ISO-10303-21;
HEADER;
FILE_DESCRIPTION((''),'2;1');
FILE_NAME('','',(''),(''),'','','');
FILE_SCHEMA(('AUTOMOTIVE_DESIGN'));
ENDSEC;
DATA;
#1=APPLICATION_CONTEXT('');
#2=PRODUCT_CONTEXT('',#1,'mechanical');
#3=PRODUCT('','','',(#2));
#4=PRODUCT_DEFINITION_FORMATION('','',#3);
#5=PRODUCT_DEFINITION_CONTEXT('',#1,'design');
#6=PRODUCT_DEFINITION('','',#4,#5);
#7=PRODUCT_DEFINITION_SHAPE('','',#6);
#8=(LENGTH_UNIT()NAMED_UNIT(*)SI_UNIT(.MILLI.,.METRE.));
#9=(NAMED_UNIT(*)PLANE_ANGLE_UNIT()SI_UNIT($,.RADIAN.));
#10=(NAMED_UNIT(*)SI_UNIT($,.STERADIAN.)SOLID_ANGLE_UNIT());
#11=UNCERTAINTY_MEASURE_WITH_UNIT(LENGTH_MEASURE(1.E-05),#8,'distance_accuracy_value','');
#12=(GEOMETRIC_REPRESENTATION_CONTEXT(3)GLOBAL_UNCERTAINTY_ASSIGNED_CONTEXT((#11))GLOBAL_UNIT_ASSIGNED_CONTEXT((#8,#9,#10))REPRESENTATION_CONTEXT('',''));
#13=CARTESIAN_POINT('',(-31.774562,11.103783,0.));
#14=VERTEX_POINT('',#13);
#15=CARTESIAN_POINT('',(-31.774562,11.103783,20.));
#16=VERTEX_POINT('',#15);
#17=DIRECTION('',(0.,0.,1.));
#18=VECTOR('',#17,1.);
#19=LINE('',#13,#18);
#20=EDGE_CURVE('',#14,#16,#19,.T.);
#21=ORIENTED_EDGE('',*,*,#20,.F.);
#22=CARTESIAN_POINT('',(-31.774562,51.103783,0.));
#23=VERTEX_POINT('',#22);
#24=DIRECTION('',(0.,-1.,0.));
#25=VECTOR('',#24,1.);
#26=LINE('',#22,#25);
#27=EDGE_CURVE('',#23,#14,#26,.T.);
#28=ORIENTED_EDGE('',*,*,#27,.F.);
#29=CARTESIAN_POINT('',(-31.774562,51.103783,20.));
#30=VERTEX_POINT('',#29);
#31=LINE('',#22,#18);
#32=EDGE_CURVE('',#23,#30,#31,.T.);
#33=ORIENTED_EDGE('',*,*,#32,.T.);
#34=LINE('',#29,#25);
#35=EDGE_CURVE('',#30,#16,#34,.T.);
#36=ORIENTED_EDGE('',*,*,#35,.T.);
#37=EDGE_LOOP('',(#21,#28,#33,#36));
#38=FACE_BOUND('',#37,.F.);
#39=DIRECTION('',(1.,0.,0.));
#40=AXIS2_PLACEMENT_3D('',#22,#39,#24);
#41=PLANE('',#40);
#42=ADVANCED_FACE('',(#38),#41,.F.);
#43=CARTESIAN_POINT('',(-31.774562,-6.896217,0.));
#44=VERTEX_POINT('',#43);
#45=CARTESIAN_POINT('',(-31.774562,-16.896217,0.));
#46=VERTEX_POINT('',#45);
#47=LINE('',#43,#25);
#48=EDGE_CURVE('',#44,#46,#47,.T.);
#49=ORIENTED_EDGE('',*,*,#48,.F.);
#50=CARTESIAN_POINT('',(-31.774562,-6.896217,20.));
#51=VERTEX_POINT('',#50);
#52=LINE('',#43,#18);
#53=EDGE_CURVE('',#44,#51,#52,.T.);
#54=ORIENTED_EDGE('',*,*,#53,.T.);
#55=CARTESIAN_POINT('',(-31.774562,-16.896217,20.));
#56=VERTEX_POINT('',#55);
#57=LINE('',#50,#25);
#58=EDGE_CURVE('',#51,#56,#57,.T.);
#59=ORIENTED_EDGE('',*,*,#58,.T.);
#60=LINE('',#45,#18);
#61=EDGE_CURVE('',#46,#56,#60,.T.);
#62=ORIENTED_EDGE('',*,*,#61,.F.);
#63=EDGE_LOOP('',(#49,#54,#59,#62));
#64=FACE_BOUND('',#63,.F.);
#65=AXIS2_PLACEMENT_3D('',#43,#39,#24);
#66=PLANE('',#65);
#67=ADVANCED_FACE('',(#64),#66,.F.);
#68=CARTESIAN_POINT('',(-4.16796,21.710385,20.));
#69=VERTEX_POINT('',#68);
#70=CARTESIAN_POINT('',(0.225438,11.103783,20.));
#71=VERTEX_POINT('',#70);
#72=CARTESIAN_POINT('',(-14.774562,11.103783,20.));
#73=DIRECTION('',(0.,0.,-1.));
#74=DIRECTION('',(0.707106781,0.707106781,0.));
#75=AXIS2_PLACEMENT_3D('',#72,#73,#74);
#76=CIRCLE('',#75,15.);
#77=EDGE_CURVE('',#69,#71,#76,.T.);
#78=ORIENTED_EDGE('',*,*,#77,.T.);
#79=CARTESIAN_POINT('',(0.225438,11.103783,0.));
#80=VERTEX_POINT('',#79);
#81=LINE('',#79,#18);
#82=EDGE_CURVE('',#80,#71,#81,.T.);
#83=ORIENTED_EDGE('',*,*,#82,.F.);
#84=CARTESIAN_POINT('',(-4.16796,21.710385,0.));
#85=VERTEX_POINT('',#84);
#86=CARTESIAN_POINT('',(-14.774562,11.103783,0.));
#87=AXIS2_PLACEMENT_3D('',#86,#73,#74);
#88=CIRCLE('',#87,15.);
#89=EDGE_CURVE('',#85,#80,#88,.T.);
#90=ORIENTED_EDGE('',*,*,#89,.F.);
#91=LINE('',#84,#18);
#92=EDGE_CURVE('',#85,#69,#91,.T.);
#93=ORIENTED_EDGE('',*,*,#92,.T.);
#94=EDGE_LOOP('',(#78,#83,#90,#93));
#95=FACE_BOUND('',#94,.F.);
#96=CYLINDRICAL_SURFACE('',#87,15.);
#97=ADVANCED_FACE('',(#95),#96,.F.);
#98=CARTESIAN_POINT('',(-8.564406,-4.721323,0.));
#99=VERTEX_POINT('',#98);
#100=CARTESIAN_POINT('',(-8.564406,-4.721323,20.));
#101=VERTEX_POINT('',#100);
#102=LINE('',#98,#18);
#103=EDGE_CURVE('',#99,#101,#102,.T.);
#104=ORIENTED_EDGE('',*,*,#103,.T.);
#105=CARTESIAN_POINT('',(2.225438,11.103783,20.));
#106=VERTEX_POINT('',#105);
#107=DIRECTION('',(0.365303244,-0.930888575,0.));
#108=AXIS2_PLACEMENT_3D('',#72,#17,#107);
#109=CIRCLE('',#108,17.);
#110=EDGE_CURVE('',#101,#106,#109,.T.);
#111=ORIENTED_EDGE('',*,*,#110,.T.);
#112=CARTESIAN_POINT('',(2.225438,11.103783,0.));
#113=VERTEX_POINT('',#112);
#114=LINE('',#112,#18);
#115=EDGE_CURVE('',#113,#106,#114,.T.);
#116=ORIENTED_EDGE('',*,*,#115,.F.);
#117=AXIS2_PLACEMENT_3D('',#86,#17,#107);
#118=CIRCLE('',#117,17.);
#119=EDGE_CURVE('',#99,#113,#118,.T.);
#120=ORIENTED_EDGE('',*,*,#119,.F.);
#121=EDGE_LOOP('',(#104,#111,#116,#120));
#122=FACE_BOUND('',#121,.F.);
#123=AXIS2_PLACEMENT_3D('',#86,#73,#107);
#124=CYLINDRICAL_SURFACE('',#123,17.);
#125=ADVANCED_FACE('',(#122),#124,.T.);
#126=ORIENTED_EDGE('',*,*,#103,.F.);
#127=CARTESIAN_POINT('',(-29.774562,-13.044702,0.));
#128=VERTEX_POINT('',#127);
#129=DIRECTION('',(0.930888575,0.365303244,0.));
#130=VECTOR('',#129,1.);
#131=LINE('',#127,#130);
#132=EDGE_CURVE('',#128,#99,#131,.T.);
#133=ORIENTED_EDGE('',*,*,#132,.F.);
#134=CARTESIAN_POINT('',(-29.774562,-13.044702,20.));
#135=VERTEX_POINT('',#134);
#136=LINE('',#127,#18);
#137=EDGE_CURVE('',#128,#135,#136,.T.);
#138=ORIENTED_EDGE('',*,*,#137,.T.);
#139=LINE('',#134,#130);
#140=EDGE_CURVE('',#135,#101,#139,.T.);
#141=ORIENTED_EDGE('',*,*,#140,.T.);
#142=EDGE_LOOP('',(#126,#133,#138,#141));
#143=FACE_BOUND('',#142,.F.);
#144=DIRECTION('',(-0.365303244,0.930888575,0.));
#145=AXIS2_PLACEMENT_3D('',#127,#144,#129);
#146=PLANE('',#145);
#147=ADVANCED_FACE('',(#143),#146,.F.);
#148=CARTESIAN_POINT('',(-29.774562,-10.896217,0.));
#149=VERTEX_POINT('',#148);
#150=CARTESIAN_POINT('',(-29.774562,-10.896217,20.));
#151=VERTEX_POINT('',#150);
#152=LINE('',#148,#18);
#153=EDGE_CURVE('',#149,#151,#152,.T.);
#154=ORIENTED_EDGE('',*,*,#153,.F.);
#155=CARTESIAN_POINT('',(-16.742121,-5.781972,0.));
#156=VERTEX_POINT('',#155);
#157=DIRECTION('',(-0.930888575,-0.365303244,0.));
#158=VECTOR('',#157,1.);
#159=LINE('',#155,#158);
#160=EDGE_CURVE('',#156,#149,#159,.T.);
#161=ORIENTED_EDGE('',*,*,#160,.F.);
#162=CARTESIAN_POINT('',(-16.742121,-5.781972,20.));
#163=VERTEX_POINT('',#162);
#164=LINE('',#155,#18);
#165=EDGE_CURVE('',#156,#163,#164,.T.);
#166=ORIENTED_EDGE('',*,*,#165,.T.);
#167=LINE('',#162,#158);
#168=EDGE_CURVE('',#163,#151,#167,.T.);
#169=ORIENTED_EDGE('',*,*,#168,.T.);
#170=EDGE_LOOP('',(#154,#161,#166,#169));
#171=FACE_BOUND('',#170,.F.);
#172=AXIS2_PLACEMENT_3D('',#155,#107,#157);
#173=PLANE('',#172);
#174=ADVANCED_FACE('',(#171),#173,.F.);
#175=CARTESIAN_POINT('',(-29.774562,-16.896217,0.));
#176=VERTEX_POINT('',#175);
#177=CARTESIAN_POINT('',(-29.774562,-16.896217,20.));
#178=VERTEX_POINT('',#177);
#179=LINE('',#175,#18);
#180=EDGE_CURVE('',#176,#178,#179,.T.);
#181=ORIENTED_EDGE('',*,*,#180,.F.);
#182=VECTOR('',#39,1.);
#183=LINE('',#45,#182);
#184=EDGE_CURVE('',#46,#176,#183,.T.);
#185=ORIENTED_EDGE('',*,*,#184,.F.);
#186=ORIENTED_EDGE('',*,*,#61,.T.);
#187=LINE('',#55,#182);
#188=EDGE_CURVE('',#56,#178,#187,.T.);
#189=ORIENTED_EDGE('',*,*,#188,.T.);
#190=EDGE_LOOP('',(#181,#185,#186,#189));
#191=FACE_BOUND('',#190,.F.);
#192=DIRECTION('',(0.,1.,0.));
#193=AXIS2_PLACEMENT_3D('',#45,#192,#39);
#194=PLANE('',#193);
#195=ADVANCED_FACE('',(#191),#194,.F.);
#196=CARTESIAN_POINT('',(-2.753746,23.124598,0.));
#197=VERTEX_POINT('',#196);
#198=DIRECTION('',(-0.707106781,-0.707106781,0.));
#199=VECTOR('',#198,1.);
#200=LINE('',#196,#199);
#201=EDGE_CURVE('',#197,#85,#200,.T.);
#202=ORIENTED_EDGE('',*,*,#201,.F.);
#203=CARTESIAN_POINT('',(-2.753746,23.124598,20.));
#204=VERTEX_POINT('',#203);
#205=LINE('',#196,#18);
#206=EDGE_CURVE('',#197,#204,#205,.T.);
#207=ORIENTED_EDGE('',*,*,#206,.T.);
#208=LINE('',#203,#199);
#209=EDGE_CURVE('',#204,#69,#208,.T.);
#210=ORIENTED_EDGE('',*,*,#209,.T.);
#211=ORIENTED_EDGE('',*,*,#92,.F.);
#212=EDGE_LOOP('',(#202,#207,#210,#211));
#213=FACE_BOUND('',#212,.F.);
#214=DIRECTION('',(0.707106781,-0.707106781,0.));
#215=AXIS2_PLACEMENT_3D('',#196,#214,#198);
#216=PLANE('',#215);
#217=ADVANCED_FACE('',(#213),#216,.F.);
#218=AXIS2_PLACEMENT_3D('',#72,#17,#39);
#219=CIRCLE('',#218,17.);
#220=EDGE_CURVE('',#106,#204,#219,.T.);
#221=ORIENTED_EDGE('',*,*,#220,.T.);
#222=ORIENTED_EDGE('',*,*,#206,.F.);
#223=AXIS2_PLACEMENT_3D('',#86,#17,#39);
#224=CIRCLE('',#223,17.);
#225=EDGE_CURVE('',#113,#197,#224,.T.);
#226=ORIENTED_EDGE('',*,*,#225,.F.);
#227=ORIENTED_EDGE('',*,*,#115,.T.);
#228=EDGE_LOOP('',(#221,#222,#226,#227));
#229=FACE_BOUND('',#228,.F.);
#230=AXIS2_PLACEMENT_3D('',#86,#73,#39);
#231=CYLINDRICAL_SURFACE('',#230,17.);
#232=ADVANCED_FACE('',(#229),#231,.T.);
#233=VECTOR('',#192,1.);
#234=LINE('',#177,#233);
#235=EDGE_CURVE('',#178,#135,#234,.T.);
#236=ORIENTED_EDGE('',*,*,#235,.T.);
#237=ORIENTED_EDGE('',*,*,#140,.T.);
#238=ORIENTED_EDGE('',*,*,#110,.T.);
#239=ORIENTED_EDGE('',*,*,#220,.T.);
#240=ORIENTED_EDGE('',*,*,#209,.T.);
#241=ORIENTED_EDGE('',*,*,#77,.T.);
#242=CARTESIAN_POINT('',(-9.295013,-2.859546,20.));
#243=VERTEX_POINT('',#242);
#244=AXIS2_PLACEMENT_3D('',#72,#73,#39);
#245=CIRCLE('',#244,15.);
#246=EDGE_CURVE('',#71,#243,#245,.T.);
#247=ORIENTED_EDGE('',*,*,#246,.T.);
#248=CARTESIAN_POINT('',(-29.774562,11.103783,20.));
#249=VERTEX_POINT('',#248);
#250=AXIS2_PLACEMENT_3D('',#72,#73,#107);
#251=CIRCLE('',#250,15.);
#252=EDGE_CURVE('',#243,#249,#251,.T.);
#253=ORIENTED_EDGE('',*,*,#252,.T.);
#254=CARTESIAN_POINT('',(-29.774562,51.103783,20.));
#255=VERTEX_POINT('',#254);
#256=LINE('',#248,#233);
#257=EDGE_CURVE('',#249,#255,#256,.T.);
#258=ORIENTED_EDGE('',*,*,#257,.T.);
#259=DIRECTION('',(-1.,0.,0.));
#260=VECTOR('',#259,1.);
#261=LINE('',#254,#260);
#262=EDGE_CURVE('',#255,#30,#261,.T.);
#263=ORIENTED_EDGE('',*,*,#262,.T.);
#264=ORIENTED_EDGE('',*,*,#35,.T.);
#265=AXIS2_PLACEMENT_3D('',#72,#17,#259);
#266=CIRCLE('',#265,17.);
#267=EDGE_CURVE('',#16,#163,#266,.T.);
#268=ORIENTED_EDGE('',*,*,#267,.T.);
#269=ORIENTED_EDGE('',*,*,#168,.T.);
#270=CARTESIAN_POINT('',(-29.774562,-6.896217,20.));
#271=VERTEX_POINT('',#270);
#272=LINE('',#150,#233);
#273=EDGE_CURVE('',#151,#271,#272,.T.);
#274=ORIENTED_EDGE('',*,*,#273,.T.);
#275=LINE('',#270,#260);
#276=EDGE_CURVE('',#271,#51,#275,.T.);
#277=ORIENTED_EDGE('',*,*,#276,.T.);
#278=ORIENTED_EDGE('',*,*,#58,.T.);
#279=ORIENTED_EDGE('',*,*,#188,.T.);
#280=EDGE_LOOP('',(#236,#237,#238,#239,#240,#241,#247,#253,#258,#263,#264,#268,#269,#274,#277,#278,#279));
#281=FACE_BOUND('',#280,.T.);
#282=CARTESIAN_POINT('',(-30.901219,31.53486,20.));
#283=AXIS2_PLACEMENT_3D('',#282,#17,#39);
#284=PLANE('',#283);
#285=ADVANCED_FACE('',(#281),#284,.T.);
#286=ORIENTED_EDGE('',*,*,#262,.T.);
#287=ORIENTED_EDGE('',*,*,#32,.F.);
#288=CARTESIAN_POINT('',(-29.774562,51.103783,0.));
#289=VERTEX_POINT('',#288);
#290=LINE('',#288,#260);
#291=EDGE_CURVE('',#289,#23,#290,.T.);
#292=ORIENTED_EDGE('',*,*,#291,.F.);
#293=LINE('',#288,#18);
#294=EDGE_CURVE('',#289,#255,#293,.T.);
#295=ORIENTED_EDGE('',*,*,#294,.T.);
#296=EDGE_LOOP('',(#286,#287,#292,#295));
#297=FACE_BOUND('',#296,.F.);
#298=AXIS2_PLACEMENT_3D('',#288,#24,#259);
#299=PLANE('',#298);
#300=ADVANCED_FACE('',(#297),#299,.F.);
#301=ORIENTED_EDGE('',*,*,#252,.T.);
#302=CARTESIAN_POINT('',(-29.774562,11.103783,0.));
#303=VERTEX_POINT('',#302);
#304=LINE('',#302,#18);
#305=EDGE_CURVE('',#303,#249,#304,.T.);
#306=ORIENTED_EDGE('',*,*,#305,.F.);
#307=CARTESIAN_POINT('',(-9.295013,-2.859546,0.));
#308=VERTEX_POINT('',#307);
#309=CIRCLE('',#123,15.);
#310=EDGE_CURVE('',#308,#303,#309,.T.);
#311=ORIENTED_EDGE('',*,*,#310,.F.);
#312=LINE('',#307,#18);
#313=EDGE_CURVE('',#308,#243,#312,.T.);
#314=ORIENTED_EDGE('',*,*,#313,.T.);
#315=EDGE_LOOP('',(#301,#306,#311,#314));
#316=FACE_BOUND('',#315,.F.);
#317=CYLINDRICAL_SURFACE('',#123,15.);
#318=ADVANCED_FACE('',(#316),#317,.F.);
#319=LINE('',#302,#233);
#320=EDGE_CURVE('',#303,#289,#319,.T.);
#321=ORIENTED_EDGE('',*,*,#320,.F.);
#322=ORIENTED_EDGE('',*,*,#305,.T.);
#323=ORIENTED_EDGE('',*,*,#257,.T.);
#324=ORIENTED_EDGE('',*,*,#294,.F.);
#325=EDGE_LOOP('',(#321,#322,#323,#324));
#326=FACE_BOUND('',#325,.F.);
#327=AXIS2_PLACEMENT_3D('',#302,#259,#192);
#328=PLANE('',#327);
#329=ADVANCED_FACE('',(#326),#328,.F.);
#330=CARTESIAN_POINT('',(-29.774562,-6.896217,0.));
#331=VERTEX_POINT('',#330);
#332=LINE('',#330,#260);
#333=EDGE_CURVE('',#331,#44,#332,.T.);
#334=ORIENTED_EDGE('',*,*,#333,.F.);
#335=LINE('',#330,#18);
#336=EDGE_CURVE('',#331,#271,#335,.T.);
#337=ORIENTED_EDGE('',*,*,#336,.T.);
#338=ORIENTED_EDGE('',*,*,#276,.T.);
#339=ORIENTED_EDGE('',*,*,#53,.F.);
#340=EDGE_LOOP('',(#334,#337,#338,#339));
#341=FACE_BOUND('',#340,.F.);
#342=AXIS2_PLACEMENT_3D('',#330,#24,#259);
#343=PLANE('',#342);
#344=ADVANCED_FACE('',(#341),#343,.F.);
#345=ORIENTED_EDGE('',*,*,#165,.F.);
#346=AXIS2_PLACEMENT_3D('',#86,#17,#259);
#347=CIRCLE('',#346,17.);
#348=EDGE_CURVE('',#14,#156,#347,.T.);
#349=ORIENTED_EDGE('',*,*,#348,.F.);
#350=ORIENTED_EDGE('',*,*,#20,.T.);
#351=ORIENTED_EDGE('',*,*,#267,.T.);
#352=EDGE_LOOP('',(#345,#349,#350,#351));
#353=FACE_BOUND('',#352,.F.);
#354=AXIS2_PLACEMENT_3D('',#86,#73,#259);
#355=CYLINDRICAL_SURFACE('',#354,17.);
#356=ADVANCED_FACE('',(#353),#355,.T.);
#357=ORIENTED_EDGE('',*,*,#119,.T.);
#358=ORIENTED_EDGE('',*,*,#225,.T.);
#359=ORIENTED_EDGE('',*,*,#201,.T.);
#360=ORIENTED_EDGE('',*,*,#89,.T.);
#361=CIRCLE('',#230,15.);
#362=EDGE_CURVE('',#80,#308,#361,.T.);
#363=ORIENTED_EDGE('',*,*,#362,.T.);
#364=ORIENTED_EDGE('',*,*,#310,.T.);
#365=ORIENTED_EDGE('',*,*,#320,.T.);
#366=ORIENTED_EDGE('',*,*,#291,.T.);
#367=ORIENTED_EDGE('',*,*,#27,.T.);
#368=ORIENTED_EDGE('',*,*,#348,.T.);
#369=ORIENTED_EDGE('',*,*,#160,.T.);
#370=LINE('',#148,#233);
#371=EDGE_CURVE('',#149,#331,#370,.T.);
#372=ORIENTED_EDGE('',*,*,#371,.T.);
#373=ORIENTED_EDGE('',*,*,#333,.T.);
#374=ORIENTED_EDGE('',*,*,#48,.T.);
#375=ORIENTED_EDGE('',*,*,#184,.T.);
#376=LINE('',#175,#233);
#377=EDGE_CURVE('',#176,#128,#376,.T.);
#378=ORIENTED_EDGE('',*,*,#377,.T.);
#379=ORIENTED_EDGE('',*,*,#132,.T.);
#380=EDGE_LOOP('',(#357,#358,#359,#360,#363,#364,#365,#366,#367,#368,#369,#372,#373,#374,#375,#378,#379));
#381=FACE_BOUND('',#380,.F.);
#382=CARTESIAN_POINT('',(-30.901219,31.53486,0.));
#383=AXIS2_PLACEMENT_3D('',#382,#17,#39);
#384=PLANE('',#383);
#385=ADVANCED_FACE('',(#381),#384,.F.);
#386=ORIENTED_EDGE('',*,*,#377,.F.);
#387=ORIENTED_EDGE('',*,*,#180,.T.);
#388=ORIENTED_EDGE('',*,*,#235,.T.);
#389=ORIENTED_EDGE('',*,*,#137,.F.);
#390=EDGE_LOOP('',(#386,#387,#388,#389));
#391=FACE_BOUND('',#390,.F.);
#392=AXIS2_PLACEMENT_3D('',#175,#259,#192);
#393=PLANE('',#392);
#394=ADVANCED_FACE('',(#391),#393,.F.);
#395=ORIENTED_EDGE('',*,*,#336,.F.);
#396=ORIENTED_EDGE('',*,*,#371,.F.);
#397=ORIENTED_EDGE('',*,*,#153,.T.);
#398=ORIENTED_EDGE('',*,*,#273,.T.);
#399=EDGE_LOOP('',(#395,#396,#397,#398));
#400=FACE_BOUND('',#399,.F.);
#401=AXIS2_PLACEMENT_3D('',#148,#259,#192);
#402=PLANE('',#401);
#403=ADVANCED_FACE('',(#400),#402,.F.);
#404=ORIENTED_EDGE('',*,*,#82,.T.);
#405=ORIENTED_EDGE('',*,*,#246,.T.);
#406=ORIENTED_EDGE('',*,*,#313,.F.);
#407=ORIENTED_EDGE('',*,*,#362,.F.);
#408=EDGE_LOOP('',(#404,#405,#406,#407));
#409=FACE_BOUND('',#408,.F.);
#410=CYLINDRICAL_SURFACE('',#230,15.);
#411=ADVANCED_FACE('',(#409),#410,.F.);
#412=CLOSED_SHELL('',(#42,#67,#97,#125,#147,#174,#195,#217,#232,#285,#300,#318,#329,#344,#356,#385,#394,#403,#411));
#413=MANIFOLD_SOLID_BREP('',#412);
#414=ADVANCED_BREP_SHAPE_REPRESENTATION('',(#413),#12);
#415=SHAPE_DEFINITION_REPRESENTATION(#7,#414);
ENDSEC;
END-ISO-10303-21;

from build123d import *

# Parameters (mm, degrees)
F1_DEPTH = 20


with BuildPart() as f1:
    # F0 (on Top) → F1 (new body)
    with BuildSketch(Plane.XY):
        with BuildLine():
            Line((-29.7745615359, 19.1037830071), (-29.7745615359, 51.1037830071))
            Line((-29.7745615359, 51.1037830071), (-31.7745615359, 51.1037830071))
            Line((-31.7745615359, 51.1037830071), (-31.7745615359, 11.1037830071))
            ThreePointArc((-31.7745615359, 11.1037830071), (-31.2669840383, 15.2268886327), (-29.7745615359, 19.1037830071))
        make_face()
        with BuildLine():
            Line((-29.7745615359, 11.1037830071), (-29.7745615359, 19.1037830071))
            ThreePointArc((-29.7745615359, 19.1037830071), (-31.2669840383, 15.2268886327), (-31.7745615359, 11.1037830071))
            ThreePointArc((-31.7745615359, 11.1037830071), (-27.4719730642, -0.2000101828), (-16.7421214794, -5.7819715768))
            Line((-16.7421214794, -5.7819715768), (-9.2950128758, -2.8595456248))
            ThreePointArc((-9.2950128758, -2.8595456248), (-23.2246139055, -1.289627135), (-29.7745615359, 11.1037830071))
        make_face()
        with BuildLine():
            ThreePointArc((2.2254384641, 11.1037830071), (0.9313905168, 17.6094013573), (-2.7537462557, 23.1245982873))
            Line((-2.7537462557, 23.1245982873), (-4.1679598181, 21.7103847249))
            ThreePointArc((-4.1679598181, 21.7103847249), (-0.9163685482, 16.8440344926), (0.2254384641, 11.1037830071))
            ThreePointArc((0.2254384641, 11.1037830071), (-2.3811513937, 2.6537306375), (-9.2950128758, -2.8595456248))
            Line((-9.2950128758, -2.8595456248), (-16.7421214794, -5.7819715768))
            ThreePointArc((-16.7421214794, -5.7819715768), (-12.5879780165, -5.7550085425), (-8.5644063878, -4.7213227757))
            ThreePointArc((-8.5644063878, -4.7213227757), (-0.7286967081, 1.5270569882), (2.2254384641, 11.1037830071))
        make_face()
        with BuildLine():
            ThreePointArc((-8.5644063878, -4.7213227757), (-12.5879780165, -5.7550085425), (-16.7421214794, -5.7819715768))
            Line((-16.7421214794, -5.7819715768), (-29.7745615359, -10.8962169929))
            Line((-29.7745615359, -10.8962169929), (-29.7745615359, -13.0447018414))
            Line((-29.7745615359, -13.0447018414), (-8.5644063878, -4.7213227757))
        make_face()
        Polygon((-29.7745615359, -13.0447018414), (-29.7745615359, -10.8962169929), (-29.7745615359, -6.8962169929), (-31.7745615359, -6.8962169929), (-31.7745615359, -16.8962169929), (-29.7745615359, -16.8962169929), align=None)
    extrude(amount=F1_DEPTH)


solid = f1.part
